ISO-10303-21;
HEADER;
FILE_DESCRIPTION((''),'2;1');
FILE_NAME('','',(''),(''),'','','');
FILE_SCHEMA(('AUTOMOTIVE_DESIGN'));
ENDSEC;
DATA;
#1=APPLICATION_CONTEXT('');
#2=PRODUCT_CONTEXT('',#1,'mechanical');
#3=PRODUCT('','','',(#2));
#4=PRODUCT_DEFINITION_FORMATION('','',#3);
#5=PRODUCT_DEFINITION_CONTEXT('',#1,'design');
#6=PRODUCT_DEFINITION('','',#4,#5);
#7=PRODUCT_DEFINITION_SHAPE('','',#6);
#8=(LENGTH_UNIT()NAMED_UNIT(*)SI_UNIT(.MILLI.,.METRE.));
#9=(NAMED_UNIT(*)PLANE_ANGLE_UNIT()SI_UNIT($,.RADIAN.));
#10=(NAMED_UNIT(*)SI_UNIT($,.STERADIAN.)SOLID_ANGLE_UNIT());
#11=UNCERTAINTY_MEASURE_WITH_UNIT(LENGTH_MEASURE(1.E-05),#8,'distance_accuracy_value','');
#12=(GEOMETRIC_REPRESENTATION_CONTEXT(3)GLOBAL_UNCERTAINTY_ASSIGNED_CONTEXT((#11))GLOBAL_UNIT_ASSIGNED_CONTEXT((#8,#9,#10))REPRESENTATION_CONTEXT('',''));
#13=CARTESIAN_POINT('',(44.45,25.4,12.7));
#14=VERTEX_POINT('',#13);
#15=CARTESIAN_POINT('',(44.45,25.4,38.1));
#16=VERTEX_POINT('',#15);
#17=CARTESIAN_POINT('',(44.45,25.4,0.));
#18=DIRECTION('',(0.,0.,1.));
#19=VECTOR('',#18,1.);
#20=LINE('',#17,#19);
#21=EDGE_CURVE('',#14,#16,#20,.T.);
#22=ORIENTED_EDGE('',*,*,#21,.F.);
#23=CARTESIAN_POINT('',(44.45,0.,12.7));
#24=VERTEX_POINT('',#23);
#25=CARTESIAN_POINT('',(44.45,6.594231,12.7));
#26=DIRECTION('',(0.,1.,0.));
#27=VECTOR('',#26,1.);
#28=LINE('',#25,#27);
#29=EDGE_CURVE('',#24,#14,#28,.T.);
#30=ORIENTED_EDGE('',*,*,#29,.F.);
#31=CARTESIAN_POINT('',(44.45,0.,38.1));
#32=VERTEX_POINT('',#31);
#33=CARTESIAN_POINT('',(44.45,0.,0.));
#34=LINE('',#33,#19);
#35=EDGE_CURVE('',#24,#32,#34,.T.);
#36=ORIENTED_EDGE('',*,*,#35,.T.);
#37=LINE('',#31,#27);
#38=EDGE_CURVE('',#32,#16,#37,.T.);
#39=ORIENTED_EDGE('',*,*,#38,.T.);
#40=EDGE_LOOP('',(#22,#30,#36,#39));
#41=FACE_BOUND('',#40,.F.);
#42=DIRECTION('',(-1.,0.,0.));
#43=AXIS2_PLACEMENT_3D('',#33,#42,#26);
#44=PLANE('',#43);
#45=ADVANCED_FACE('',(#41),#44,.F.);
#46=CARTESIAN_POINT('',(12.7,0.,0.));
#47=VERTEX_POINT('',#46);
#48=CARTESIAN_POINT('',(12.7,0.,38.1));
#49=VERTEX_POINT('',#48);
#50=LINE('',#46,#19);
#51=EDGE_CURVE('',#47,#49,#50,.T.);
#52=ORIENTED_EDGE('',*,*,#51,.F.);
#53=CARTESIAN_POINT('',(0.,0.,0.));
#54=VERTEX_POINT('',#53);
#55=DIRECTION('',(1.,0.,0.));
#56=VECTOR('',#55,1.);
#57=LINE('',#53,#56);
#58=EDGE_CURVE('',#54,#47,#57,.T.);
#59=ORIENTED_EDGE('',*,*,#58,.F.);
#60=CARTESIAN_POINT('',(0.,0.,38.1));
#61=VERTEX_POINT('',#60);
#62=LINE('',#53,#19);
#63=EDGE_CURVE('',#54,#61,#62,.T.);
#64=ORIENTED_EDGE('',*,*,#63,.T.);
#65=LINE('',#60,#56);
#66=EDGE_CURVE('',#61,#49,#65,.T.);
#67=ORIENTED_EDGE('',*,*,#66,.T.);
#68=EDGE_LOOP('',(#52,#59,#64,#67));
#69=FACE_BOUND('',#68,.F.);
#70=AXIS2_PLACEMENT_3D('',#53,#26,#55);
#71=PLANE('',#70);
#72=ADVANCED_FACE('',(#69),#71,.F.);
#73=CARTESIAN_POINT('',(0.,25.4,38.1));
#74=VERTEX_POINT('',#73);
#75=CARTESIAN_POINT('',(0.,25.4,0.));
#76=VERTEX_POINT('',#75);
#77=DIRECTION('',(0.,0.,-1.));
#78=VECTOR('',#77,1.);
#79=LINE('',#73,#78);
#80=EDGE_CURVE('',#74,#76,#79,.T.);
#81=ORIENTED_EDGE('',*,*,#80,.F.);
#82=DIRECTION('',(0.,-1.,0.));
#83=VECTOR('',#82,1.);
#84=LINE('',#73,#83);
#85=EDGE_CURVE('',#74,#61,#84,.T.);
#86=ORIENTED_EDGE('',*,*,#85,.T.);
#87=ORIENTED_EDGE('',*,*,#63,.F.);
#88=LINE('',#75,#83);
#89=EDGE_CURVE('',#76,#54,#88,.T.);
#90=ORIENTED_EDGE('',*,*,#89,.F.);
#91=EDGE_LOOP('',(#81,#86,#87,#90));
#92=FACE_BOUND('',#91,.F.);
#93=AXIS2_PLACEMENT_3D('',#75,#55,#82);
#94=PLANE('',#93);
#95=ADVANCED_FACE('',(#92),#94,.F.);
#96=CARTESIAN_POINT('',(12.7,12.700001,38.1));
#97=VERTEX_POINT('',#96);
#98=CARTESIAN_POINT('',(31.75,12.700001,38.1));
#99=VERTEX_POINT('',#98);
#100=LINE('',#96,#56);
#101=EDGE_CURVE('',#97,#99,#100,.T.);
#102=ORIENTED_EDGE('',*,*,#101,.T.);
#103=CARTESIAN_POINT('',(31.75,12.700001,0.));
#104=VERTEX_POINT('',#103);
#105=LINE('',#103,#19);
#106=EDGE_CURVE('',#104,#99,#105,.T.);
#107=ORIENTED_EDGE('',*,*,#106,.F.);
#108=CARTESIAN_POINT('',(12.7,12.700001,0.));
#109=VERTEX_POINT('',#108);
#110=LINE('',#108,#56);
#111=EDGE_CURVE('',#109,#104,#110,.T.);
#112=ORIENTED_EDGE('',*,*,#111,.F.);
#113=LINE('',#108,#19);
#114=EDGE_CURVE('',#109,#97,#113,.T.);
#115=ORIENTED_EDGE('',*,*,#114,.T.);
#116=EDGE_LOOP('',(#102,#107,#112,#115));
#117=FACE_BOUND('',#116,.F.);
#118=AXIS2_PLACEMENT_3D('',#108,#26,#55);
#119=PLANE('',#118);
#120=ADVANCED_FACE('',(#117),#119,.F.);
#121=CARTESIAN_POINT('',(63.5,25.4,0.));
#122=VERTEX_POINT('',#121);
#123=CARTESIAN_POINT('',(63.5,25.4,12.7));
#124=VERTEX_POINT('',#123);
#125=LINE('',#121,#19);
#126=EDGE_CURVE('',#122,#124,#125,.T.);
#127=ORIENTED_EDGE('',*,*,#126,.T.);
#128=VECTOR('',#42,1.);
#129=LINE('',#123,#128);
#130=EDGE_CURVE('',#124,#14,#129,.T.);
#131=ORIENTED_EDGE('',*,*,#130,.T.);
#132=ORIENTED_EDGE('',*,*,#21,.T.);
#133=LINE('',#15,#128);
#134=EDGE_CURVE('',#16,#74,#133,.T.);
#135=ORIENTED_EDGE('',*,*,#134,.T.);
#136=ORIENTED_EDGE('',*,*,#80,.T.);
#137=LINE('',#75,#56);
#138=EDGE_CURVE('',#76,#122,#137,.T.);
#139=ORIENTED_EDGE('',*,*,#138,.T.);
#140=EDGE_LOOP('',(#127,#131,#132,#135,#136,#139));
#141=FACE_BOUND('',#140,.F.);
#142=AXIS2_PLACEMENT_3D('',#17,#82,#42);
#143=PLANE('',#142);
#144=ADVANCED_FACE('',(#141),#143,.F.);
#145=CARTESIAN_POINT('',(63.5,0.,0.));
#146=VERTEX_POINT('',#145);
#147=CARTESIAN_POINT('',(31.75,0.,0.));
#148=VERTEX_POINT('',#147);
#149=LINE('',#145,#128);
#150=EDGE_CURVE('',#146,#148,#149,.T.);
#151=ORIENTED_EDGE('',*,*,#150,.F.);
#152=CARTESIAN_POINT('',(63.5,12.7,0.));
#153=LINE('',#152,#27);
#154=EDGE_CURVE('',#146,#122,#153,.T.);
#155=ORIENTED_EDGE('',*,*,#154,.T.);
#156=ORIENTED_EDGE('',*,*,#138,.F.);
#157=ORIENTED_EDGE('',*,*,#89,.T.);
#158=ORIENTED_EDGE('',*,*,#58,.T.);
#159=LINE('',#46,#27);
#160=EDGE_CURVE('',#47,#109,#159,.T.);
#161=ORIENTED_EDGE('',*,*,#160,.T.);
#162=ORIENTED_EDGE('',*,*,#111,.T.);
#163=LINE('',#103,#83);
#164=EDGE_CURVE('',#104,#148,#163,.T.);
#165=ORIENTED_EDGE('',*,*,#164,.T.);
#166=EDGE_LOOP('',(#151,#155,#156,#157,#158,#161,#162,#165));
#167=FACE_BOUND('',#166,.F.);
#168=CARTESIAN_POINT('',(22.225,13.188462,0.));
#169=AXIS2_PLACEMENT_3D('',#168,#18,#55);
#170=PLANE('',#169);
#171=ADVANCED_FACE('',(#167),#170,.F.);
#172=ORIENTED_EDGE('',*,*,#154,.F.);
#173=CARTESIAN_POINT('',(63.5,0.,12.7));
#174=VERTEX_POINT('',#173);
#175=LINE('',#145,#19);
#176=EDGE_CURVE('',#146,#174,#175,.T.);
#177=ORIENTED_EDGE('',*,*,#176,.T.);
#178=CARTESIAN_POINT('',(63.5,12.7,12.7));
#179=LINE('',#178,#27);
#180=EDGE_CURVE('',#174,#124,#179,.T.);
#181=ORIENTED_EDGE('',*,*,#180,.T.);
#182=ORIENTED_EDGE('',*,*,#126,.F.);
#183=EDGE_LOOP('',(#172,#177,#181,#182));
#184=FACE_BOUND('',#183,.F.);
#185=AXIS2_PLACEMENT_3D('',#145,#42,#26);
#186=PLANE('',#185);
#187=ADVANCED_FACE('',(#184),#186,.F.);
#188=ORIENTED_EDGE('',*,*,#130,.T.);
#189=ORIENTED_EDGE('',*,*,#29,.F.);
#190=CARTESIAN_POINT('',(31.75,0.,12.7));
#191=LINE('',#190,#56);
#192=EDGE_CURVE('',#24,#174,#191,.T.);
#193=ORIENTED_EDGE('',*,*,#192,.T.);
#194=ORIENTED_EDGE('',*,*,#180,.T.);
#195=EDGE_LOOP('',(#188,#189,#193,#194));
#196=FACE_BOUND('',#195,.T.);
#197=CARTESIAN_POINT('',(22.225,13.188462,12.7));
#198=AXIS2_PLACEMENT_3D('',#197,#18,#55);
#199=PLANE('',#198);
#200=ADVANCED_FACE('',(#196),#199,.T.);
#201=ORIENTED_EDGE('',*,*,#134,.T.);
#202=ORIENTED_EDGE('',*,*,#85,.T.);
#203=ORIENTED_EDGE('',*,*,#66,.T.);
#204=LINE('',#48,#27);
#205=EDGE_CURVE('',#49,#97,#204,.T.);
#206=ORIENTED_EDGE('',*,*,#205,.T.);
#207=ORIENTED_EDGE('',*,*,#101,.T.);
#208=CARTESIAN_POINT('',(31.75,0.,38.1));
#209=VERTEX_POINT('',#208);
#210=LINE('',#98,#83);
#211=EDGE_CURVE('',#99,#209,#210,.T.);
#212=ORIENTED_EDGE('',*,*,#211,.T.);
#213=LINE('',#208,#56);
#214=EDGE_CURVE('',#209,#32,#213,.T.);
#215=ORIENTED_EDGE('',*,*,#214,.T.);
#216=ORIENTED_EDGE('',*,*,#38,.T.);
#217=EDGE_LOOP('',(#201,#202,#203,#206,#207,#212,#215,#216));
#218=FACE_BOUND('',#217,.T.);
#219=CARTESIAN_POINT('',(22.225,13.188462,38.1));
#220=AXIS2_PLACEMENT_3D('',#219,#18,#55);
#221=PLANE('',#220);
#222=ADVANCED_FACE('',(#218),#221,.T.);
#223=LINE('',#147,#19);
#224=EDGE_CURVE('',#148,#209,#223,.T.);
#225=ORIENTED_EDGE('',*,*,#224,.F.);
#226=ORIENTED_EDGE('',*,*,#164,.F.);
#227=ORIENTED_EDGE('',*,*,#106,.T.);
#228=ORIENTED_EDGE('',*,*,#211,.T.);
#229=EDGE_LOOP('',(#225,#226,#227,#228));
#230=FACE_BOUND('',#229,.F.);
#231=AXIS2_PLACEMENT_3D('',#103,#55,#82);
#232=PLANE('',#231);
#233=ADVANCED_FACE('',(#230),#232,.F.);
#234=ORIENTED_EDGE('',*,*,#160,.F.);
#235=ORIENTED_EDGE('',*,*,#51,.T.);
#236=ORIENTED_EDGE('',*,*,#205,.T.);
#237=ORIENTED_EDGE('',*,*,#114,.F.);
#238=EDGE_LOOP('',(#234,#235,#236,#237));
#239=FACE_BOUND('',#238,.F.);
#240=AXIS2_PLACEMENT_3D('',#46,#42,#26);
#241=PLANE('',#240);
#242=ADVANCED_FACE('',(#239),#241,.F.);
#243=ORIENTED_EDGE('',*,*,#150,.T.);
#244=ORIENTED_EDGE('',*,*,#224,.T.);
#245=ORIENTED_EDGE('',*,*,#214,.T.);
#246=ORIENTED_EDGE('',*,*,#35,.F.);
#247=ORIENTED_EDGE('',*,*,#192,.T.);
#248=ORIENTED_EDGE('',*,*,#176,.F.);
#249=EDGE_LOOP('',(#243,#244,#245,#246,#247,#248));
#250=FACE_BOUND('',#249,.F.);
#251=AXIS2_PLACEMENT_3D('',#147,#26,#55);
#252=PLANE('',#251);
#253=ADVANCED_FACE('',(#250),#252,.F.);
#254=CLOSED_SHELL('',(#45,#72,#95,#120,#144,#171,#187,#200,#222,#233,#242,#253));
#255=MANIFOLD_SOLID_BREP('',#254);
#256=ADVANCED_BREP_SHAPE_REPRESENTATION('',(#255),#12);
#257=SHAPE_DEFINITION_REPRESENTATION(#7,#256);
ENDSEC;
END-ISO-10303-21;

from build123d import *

# Parameters (mm, degrees)
F1_DEPTH = 38.1
F0_W     = 19.05
F0_H     = 25.4
F2_DEPTH = 12.7


with BuildPart() as f1:
    # F0 (on Top) → F1 (new body)
    with BuildSketch(Plane.XY):
        Polygon((0, 25.4), (0, 0), (12.7, 0), (12.7, 12.700001), (31.75, 12.700001), (31.75, 0), (44.45, 0), (44.45, 25.4), align=None)
    extrude(amount=F1_DEPTH)

    # F0 (on Top) → F2 (join)
    with BuildSketch(Plane.XY):
        Polygon((0, 25.4), (0, 0), (12.7, 0), (12.7, 12.700001), (31.75, 12.700001), (31.75, 0), (44.45, 0), (44.45, 25.4), align=None)
        with Locations((53.975, 12.7)):
            Rectangle(F0_W, F0_H)
    extrude(amount=F2_DEPTH)


solid = f1.part
